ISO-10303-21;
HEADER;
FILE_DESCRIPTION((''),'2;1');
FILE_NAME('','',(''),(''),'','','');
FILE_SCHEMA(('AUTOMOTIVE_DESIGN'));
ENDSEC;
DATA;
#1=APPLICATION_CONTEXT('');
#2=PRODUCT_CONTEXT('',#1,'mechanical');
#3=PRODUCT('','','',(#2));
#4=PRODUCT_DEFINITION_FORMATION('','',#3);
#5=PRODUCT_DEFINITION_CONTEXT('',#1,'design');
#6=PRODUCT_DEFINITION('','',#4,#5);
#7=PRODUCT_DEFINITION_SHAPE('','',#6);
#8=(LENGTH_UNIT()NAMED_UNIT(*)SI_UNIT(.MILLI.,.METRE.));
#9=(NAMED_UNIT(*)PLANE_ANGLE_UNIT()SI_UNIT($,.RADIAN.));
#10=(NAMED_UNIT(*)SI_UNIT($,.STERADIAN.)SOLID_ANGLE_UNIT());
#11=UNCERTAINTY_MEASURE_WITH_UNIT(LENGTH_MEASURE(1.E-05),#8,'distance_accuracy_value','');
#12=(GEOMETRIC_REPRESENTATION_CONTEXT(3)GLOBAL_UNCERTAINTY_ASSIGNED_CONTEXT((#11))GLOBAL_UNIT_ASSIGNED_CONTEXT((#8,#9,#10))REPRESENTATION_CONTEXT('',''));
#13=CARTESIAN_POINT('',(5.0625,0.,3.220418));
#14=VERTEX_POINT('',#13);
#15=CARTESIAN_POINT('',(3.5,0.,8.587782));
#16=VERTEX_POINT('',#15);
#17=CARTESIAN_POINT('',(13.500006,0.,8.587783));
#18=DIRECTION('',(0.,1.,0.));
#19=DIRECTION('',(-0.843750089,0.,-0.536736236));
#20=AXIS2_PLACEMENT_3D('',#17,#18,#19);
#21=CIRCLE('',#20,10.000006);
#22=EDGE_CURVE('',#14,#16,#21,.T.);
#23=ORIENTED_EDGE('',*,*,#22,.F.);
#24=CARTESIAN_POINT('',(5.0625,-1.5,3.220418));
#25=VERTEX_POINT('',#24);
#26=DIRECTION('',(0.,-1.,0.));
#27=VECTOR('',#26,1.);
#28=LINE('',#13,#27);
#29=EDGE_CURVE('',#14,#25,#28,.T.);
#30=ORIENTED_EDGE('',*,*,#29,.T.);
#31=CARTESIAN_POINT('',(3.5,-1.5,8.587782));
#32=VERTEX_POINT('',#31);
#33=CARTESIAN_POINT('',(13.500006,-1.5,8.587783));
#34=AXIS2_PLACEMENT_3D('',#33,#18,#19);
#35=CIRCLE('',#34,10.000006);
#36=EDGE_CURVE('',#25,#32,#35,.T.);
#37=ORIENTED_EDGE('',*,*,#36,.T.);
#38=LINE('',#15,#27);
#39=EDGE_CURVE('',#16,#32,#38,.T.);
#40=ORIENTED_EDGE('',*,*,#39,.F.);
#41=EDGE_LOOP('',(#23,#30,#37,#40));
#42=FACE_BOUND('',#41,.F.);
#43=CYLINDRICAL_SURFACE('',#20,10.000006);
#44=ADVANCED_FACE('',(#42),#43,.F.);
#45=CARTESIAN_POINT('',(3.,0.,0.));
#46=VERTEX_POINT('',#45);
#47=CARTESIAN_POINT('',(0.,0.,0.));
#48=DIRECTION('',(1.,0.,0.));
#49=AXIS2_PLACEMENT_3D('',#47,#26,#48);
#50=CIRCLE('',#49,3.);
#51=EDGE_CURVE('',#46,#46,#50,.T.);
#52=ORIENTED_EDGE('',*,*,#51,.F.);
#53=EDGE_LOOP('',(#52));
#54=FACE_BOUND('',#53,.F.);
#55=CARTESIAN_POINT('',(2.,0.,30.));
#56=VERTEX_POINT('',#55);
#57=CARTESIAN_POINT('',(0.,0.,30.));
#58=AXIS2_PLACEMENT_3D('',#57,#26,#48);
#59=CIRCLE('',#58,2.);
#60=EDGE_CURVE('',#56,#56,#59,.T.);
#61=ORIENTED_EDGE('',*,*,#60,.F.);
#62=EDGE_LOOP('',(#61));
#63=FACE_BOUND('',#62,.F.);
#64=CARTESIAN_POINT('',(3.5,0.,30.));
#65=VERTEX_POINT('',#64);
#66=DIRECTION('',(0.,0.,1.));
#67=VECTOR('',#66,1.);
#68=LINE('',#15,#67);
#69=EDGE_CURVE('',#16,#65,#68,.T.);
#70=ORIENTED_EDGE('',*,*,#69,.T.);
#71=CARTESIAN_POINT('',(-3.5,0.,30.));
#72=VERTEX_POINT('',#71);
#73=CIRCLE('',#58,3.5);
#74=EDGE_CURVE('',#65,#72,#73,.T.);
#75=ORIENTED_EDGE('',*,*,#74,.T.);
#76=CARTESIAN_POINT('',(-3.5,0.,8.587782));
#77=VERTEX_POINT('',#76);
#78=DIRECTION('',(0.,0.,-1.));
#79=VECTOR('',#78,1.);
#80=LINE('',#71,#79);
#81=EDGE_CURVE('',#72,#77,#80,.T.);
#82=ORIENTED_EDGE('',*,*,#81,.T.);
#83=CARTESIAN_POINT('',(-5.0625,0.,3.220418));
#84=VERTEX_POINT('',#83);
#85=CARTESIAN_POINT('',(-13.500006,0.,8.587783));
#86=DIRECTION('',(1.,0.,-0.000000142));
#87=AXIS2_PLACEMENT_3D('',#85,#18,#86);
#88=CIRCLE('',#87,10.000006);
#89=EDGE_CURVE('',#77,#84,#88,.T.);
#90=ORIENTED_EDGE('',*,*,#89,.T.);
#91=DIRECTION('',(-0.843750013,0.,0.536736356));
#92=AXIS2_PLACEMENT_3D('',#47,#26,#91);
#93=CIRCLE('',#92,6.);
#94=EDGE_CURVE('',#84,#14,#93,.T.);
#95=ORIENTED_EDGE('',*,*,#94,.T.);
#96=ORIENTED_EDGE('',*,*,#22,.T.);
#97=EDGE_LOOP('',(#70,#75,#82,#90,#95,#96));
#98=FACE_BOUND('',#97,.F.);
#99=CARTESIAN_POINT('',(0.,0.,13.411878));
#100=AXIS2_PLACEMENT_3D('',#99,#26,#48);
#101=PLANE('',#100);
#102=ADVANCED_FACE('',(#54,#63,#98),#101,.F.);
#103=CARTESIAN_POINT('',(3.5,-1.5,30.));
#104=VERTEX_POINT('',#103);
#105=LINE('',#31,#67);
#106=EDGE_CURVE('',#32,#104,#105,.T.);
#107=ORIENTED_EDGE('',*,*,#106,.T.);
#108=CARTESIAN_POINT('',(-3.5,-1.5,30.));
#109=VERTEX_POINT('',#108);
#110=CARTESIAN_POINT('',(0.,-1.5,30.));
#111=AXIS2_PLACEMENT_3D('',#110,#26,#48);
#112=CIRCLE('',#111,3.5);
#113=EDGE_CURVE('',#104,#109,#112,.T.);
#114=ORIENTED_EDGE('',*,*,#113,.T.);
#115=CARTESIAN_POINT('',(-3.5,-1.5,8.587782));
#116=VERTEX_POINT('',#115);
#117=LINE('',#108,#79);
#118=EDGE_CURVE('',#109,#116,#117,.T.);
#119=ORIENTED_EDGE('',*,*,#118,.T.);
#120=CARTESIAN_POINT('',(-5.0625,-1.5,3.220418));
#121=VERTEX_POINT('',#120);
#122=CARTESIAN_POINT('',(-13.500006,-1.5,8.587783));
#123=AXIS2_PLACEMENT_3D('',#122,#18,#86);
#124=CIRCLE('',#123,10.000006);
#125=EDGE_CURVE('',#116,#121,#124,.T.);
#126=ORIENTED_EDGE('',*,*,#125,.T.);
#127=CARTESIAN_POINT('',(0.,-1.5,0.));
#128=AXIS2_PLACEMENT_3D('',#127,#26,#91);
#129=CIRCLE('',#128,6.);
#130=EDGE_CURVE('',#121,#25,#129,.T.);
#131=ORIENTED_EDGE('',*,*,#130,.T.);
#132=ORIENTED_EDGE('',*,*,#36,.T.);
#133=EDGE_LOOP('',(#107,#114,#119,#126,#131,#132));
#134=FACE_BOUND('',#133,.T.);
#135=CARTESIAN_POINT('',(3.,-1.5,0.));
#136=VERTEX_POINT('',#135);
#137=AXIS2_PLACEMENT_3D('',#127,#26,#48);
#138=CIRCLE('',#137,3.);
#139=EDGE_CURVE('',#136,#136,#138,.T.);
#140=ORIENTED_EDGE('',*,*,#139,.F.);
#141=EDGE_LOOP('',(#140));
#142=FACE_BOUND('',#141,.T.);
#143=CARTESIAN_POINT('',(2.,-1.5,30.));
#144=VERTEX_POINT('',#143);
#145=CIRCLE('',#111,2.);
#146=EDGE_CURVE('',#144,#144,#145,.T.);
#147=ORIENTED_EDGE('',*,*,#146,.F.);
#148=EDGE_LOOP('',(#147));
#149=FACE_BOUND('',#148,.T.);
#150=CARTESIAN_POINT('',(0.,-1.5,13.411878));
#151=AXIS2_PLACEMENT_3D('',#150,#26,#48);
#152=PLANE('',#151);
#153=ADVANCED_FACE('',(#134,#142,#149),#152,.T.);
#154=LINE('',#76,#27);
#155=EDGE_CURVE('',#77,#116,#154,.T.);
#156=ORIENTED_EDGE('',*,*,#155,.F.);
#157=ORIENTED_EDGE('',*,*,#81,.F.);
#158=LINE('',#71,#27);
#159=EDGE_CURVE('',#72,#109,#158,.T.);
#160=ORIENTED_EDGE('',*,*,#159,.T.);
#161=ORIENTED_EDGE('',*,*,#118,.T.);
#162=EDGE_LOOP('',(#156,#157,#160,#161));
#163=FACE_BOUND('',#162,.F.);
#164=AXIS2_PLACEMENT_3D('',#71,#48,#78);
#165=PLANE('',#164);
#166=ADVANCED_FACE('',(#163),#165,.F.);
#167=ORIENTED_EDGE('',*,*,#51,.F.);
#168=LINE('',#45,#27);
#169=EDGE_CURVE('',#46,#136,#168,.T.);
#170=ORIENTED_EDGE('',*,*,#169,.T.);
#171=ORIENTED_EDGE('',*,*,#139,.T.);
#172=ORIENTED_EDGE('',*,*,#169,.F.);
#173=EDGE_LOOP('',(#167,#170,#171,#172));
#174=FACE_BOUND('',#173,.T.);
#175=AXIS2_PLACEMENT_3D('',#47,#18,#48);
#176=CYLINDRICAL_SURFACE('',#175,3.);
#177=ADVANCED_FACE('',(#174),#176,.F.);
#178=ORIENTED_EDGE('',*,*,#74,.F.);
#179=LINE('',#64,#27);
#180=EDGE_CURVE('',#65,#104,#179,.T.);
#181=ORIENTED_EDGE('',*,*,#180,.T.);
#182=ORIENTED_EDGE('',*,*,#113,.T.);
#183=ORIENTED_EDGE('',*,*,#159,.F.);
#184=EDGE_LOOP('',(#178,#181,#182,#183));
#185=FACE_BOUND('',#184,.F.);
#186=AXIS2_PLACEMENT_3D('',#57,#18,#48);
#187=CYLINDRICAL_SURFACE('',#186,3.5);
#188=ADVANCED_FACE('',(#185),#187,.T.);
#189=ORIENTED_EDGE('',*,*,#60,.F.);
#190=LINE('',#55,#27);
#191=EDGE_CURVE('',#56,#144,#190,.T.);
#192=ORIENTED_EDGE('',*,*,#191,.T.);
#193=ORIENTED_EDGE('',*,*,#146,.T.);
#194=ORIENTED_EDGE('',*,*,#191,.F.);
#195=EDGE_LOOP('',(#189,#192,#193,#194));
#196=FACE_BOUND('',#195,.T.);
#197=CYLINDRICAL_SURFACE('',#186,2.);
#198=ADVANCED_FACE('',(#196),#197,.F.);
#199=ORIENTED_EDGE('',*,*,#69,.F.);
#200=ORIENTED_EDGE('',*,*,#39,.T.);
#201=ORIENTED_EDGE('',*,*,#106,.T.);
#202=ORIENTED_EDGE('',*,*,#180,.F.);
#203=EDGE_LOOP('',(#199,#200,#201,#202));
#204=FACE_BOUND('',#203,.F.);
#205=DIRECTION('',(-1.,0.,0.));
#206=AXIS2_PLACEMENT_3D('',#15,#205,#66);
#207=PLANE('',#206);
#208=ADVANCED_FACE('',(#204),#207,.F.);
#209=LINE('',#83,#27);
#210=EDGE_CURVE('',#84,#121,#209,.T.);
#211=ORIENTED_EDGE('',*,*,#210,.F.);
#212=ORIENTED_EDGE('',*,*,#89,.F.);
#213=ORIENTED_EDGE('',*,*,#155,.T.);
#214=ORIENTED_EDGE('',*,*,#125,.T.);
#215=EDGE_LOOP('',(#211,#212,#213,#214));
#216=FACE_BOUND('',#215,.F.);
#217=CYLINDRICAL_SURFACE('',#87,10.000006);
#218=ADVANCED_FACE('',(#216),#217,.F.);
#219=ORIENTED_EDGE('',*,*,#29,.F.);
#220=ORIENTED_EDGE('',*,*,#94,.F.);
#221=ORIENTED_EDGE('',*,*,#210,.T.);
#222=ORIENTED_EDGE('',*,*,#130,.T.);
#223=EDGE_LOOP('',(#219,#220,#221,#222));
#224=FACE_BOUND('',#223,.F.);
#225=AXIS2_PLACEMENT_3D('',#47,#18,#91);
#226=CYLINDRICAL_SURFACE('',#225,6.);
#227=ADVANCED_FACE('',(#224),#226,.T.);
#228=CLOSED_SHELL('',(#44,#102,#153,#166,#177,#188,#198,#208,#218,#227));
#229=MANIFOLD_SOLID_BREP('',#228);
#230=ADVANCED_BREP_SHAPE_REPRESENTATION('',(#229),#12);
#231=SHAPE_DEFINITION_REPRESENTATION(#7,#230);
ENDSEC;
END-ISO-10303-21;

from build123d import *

# Parameters (mm, degrees)
F0_R     = 3
F0_R_2   = 2
F1_DEPTH = 1.5


with BuildPart() as f1:
    # F0 (on Front) → F1 (new body)
    with BuildSketch(Plane.XZ):
        with BuildLine():
            ThreePointArc((3.5, 30), (0, 33.5), (-3.5, 30))
            Line((-3.5, 30), (-3.5, 8.587782))
            ThreePointArc((-3.5, 8.587782), (-3.898568, 5.792697), (-5.0625, 3.220418))
            ThreePointArc((-5.0625, 3.220418), (0, -6), (5.0625, 3.220418))
            ThreePointArc((5.0625, 3.220418), (3.898568, 5.792697), (3.5, 8.587782))
            Line((3.5, 8.587782), (3.5, 30))
        make_face()
        Circle(F0_R, mode=Mode.SUBTRACT)
        with Locations((0, 30)):
            Circle(F0_R_2, mode=Mode.SUBTRACT)
    extrude(amount=F1_DEPTH)


solid = f1.part
